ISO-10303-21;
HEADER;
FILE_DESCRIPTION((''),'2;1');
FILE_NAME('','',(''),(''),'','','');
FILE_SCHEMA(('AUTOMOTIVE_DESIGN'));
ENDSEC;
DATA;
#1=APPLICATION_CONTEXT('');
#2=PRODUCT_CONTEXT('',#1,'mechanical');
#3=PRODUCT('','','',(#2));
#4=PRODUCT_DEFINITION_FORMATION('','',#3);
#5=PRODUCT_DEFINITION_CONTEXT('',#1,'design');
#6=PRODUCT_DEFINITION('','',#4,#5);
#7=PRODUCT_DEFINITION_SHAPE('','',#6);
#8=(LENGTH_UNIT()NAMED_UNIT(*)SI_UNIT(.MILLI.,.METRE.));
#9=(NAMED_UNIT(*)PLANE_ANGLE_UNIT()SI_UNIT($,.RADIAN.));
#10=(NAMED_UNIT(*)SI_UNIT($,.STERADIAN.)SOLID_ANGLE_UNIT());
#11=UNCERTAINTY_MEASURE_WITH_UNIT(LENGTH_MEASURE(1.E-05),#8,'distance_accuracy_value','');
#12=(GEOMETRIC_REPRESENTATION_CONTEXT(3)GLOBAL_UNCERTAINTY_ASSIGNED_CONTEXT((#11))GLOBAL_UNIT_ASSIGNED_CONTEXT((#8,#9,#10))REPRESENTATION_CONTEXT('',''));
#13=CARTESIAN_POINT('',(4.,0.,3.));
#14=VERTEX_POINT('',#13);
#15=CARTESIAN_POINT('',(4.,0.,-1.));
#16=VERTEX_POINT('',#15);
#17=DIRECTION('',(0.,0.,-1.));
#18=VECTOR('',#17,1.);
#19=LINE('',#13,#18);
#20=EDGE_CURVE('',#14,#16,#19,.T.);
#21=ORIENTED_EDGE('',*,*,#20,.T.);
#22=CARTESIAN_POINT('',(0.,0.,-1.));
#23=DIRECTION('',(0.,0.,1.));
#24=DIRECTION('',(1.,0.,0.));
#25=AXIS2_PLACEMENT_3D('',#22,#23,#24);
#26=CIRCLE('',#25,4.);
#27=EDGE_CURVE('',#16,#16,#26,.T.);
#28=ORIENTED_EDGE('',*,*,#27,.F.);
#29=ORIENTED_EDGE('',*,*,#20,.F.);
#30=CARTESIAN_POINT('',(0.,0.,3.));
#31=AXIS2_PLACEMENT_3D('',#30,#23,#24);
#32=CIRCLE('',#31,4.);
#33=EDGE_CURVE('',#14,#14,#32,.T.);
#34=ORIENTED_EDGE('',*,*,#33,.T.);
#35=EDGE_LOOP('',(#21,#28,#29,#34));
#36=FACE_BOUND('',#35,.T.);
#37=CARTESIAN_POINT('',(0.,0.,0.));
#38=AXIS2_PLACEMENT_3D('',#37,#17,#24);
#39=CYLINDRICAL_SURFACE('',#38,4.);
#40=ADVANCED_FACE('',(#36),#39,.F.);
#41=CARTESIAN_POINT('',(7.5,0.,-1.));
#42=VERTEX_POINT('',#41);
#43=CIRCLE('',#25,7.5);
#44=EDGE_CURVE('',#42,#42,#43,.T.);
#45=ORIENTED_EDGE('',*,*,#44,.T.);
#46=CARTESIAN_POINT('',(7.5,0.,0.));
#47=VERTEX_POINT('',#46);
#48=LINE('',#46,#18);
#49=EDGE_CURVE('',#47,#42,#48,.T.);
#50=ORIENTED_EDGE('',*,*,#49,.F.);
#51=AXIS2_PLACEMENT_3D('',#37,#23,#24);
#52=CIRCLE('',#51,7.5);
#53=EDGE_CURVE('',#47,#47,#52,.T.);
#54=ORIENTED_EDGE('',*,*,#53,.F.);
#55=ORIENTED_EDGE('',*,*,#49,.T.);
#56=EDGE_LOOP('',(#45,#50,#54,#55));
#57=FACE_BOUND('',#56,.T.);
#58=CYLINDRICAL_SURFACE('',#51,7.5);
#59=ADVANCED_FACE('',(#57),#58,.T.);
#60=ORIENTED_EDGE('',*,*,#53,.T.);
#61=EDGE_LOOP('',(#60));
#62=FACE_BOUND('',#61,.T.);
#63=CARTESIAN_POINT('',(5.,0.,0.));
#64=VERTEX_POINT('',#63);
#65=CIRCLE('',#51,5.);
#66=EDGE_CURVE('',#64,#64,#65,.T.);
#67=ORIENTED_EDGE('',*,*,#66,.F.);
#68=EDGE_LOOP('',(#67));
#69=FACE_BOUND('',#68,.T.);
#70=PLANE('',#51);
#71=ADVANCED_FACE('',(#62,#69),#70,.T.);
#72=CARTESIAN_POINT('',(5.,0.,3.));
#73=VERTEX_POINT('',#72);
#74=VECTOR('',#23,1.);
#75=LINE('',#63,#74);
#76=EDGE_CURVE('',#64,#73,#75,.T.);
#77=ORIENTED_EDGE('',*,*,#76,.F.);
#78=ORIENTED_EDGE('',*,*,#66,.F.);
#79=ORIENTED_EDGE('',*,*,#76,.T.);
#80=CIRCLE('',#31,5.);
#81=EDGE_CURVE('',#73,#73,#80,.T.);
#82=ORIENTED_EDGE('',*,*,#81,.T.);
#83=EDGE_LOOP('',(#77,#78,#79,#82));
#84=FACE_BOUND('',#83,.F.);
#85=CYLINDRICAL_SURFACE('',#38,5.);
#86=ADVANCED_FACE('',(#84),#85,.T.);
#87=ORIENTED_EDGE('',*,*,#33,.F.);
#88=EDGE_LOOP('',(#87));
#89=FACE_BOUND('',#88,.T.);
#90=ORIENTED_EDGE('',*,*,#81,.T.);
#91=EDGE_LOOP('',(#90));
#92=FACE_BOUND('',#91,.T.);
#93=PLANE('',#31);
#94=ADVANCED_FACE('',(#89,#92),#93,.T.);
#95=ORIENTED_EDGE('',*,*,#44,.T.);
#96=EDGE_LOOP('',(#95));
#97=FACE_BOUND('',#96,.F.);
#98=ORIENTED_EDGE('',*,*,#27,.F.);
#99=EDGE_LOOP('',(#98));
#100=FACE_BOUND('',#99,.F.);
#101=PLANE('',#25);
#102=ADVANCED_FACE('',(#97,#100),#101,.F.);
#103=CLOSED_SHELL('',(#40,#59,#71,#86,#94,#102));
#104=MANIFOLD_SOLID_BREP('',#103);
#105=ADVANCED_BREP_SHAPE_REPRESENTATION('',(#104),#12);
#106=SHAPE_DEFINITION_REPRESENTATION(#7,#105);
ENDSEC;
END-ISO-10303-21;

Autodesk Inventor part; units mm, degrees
ref_plane "YZ Plane" through (0, 0, 0) normal (1, 0, 0) x (0, 1, 0)
ref_plane "XZ Plane" through (0, 0, 0) normal (0, 1, 0) x (-1, 0, 0)
ref_plane "XY Plane" through (0, 0, 0) normal (0, 0, 1) x (1, 0, 0)
sketch "スケッチ1" plane through (0, 0, 0) normal (0, 0, 1) x (1, 0, 0)
  circle A0 centre (0, 0) radius 4
  circle A1 centre (0, 0) radius 5
  circle A2 centre (0, 0) radius 7.5
  dimension "d0" = 8
  dimension "d1" = 10
  dimension "d4" = 15
extrude "押し出し1" add sketch "スケッチ1" along normal blind 3 contours A1
extrude "押し出し2" add sketch "スケッチ1" against normal blind 1 contours A1 | A2
properties part number "オイレスF外径10内径8L4甲" material "アセタール樹脂、黒"
